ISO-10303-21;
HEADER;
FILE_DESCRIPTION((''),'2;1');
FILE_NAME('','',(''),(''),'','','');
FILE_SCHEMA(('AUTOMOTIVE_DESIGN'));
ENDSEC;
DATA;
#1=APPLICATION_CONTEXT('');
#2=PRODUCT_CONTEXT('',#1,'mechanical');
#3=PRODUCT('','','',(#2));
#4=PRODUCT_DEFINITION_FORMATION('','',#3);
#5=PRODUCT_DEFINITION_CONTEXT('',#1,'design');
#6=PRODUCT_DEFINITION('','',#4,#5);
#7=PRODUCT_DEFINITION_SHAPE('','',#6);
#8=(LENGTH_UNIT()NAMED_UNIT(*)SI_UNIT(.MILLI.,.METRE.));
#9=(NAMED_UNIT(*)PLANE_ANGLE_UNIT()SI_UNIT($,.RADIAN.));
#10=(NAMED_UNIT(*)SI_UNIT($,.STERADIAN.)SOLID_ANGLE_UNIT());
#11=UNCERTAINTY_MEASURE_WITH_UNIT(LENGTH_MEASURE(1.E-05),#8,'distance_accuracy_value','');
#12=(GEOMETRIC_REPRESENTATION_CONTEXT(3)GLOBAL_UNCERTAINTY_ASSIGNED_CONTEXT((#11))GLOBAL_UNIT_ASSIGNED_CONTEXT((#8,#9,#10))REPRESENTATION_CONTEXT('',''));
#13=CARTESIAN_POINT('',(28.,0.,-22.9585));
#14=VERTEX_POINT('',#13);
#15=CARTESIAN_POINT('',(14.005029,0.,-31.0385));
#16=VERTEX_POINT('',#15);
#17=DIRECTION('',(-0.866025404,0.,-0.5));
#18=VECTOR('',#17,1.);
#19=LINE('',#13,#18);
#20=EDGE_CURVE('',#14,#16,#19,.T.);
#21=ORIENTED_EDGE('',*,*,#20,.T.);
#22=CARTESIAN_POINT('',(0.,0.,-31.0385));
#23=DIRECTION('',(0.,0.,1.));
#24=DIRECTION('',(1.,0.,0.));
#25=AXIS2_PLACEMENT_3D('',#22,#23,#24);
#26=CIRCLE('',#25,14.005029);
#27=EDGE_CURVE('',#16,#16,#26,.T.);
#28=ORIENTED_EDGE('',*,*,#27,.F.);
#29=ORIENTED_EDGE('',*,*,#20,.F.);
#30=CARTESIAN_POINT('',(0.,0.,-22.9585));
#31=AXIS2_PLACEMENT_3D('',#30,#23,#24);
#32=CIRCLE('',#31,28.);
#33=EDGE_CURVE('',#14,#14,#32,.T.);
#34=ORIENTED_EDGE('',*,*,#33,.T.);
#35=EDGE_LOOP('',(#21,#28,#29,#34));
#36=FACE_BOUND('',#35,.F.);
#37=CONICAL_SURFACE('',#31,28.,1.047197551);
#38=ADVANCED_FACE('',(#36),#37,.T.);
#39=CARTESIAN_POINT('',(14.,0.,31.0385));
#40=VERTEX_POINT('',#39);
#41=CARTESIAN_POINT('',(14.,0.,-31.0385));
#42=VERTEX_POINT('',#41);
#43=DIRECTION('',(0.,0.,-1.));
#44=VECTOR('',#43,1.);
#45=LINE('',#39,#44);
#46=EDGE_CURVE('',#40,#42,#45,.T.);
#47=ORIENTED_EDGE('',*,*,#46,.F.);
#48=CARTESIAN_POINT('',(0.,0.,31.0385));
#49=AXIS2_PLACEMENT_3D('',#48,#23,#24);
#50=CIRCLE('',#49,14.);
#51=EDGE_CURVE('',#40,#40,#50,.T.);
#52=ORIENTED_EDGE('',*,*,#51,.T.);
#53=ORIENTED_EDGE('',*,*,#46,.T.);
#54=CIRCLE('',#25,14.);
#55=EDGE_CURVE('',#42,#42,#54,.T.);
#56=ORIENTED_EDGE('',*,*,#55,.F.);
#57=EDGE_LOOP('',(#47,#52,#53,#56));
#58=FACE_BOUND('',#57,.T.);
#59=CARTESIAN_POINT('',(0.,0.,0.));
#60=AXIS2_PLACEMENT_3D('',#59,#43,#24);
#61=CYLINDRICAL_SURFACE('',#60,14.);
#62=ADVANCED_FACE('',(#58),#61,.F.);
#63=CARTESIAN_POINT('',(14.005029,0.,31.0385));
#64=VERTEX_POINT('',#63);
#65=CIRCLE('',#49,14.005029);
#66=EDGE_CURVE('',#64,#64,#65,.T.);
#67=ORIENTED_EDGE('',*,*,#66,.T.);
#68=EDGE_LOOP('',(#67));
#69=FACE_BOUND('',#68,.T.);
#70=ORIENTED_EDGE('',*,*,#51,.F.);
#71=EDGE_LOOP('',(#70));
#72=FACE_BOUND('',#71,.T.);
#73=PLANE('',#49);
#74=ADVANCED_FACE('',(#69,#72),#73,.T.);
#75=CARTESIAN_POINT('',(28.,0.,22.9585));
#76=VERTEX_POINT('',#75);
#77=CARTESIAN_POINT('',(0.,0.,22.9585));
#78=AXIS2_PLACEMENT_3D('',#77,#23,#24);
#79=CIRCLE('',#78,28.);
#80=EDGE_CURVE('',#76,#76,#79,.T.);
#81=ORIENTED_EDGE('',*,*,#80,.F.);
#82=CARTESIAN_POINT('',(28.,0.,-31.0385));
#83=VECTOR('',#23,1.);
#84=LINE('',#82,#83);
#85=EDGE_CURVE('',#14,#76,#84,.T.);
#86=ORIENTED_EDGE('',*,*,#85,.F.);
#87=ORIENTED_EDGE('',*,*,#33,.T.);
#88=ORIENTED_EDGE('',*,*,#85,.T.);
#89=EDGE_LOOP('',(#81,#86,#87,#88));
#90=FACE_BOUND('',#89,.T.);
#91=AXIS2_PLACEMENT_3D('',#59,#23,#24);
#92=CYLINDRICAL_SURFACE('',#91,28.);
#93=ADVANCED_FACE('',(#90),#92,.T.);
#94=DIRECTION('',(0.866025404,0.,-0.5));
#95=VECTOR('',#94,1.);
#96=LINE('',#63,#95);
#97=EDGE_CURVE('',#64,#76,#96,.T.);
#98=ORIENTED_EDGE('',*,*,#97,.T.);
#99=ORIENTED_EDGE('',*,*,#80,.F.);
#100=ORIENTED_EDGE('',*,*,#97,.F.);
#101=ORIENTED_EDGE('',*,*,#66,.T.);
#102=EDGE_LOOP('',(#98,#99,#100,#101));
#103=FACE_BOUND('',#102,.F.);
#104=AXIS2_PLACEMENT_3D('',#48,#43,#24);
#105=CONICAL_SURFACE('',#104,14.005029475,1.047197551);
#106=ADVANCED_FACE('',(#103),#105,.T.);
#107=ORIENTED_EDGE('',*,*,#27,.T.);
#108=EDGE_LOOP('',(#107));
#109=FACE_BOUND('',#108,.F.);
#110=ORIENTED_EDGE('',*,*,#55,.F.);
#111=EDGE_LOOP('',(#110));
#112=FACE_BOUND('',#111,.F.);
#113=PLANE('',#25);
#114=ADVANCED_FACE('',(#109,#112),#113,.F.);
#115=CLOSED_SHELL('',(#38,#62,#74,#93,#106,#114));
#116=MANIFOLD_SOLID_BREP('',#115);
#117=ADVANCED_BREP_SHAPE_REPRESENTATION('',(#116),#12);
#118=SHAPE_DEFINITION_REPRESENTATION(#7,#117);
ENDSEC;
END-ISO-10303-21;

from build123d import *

# Parameters (mm, degrees)
F0_R     = 28
F0_R_2   = 14
F1_DEPTH = 31.0385


with BuildPart() as f1:
    # F0 (on Top) → F1 (new body, symmetric)
    with BuildSketch(Plane.XY):
        Circle(F0_R)
        Circle(F0_R_2, mode=Mode.SUBTRACT)
    extrude(amount=F1_DEPTH, both=True)

    # F2 (on Front) → F3 (revolve, cut)
    with BuildSketch(Plane.XZ):
        Polygon((28, 31.0385), (14.0050294748, 31.0385), (28, 22.9585), align=None)
        Polygon((28, -22.9585), (14.0050294748, -31.0385), (28, -31.0385), align=None)
    revolve(axis=Axis((0, 0, 31.0385), (0, 0, 1)), mode=Mode.SUBTRACT)


solid = f1.part
